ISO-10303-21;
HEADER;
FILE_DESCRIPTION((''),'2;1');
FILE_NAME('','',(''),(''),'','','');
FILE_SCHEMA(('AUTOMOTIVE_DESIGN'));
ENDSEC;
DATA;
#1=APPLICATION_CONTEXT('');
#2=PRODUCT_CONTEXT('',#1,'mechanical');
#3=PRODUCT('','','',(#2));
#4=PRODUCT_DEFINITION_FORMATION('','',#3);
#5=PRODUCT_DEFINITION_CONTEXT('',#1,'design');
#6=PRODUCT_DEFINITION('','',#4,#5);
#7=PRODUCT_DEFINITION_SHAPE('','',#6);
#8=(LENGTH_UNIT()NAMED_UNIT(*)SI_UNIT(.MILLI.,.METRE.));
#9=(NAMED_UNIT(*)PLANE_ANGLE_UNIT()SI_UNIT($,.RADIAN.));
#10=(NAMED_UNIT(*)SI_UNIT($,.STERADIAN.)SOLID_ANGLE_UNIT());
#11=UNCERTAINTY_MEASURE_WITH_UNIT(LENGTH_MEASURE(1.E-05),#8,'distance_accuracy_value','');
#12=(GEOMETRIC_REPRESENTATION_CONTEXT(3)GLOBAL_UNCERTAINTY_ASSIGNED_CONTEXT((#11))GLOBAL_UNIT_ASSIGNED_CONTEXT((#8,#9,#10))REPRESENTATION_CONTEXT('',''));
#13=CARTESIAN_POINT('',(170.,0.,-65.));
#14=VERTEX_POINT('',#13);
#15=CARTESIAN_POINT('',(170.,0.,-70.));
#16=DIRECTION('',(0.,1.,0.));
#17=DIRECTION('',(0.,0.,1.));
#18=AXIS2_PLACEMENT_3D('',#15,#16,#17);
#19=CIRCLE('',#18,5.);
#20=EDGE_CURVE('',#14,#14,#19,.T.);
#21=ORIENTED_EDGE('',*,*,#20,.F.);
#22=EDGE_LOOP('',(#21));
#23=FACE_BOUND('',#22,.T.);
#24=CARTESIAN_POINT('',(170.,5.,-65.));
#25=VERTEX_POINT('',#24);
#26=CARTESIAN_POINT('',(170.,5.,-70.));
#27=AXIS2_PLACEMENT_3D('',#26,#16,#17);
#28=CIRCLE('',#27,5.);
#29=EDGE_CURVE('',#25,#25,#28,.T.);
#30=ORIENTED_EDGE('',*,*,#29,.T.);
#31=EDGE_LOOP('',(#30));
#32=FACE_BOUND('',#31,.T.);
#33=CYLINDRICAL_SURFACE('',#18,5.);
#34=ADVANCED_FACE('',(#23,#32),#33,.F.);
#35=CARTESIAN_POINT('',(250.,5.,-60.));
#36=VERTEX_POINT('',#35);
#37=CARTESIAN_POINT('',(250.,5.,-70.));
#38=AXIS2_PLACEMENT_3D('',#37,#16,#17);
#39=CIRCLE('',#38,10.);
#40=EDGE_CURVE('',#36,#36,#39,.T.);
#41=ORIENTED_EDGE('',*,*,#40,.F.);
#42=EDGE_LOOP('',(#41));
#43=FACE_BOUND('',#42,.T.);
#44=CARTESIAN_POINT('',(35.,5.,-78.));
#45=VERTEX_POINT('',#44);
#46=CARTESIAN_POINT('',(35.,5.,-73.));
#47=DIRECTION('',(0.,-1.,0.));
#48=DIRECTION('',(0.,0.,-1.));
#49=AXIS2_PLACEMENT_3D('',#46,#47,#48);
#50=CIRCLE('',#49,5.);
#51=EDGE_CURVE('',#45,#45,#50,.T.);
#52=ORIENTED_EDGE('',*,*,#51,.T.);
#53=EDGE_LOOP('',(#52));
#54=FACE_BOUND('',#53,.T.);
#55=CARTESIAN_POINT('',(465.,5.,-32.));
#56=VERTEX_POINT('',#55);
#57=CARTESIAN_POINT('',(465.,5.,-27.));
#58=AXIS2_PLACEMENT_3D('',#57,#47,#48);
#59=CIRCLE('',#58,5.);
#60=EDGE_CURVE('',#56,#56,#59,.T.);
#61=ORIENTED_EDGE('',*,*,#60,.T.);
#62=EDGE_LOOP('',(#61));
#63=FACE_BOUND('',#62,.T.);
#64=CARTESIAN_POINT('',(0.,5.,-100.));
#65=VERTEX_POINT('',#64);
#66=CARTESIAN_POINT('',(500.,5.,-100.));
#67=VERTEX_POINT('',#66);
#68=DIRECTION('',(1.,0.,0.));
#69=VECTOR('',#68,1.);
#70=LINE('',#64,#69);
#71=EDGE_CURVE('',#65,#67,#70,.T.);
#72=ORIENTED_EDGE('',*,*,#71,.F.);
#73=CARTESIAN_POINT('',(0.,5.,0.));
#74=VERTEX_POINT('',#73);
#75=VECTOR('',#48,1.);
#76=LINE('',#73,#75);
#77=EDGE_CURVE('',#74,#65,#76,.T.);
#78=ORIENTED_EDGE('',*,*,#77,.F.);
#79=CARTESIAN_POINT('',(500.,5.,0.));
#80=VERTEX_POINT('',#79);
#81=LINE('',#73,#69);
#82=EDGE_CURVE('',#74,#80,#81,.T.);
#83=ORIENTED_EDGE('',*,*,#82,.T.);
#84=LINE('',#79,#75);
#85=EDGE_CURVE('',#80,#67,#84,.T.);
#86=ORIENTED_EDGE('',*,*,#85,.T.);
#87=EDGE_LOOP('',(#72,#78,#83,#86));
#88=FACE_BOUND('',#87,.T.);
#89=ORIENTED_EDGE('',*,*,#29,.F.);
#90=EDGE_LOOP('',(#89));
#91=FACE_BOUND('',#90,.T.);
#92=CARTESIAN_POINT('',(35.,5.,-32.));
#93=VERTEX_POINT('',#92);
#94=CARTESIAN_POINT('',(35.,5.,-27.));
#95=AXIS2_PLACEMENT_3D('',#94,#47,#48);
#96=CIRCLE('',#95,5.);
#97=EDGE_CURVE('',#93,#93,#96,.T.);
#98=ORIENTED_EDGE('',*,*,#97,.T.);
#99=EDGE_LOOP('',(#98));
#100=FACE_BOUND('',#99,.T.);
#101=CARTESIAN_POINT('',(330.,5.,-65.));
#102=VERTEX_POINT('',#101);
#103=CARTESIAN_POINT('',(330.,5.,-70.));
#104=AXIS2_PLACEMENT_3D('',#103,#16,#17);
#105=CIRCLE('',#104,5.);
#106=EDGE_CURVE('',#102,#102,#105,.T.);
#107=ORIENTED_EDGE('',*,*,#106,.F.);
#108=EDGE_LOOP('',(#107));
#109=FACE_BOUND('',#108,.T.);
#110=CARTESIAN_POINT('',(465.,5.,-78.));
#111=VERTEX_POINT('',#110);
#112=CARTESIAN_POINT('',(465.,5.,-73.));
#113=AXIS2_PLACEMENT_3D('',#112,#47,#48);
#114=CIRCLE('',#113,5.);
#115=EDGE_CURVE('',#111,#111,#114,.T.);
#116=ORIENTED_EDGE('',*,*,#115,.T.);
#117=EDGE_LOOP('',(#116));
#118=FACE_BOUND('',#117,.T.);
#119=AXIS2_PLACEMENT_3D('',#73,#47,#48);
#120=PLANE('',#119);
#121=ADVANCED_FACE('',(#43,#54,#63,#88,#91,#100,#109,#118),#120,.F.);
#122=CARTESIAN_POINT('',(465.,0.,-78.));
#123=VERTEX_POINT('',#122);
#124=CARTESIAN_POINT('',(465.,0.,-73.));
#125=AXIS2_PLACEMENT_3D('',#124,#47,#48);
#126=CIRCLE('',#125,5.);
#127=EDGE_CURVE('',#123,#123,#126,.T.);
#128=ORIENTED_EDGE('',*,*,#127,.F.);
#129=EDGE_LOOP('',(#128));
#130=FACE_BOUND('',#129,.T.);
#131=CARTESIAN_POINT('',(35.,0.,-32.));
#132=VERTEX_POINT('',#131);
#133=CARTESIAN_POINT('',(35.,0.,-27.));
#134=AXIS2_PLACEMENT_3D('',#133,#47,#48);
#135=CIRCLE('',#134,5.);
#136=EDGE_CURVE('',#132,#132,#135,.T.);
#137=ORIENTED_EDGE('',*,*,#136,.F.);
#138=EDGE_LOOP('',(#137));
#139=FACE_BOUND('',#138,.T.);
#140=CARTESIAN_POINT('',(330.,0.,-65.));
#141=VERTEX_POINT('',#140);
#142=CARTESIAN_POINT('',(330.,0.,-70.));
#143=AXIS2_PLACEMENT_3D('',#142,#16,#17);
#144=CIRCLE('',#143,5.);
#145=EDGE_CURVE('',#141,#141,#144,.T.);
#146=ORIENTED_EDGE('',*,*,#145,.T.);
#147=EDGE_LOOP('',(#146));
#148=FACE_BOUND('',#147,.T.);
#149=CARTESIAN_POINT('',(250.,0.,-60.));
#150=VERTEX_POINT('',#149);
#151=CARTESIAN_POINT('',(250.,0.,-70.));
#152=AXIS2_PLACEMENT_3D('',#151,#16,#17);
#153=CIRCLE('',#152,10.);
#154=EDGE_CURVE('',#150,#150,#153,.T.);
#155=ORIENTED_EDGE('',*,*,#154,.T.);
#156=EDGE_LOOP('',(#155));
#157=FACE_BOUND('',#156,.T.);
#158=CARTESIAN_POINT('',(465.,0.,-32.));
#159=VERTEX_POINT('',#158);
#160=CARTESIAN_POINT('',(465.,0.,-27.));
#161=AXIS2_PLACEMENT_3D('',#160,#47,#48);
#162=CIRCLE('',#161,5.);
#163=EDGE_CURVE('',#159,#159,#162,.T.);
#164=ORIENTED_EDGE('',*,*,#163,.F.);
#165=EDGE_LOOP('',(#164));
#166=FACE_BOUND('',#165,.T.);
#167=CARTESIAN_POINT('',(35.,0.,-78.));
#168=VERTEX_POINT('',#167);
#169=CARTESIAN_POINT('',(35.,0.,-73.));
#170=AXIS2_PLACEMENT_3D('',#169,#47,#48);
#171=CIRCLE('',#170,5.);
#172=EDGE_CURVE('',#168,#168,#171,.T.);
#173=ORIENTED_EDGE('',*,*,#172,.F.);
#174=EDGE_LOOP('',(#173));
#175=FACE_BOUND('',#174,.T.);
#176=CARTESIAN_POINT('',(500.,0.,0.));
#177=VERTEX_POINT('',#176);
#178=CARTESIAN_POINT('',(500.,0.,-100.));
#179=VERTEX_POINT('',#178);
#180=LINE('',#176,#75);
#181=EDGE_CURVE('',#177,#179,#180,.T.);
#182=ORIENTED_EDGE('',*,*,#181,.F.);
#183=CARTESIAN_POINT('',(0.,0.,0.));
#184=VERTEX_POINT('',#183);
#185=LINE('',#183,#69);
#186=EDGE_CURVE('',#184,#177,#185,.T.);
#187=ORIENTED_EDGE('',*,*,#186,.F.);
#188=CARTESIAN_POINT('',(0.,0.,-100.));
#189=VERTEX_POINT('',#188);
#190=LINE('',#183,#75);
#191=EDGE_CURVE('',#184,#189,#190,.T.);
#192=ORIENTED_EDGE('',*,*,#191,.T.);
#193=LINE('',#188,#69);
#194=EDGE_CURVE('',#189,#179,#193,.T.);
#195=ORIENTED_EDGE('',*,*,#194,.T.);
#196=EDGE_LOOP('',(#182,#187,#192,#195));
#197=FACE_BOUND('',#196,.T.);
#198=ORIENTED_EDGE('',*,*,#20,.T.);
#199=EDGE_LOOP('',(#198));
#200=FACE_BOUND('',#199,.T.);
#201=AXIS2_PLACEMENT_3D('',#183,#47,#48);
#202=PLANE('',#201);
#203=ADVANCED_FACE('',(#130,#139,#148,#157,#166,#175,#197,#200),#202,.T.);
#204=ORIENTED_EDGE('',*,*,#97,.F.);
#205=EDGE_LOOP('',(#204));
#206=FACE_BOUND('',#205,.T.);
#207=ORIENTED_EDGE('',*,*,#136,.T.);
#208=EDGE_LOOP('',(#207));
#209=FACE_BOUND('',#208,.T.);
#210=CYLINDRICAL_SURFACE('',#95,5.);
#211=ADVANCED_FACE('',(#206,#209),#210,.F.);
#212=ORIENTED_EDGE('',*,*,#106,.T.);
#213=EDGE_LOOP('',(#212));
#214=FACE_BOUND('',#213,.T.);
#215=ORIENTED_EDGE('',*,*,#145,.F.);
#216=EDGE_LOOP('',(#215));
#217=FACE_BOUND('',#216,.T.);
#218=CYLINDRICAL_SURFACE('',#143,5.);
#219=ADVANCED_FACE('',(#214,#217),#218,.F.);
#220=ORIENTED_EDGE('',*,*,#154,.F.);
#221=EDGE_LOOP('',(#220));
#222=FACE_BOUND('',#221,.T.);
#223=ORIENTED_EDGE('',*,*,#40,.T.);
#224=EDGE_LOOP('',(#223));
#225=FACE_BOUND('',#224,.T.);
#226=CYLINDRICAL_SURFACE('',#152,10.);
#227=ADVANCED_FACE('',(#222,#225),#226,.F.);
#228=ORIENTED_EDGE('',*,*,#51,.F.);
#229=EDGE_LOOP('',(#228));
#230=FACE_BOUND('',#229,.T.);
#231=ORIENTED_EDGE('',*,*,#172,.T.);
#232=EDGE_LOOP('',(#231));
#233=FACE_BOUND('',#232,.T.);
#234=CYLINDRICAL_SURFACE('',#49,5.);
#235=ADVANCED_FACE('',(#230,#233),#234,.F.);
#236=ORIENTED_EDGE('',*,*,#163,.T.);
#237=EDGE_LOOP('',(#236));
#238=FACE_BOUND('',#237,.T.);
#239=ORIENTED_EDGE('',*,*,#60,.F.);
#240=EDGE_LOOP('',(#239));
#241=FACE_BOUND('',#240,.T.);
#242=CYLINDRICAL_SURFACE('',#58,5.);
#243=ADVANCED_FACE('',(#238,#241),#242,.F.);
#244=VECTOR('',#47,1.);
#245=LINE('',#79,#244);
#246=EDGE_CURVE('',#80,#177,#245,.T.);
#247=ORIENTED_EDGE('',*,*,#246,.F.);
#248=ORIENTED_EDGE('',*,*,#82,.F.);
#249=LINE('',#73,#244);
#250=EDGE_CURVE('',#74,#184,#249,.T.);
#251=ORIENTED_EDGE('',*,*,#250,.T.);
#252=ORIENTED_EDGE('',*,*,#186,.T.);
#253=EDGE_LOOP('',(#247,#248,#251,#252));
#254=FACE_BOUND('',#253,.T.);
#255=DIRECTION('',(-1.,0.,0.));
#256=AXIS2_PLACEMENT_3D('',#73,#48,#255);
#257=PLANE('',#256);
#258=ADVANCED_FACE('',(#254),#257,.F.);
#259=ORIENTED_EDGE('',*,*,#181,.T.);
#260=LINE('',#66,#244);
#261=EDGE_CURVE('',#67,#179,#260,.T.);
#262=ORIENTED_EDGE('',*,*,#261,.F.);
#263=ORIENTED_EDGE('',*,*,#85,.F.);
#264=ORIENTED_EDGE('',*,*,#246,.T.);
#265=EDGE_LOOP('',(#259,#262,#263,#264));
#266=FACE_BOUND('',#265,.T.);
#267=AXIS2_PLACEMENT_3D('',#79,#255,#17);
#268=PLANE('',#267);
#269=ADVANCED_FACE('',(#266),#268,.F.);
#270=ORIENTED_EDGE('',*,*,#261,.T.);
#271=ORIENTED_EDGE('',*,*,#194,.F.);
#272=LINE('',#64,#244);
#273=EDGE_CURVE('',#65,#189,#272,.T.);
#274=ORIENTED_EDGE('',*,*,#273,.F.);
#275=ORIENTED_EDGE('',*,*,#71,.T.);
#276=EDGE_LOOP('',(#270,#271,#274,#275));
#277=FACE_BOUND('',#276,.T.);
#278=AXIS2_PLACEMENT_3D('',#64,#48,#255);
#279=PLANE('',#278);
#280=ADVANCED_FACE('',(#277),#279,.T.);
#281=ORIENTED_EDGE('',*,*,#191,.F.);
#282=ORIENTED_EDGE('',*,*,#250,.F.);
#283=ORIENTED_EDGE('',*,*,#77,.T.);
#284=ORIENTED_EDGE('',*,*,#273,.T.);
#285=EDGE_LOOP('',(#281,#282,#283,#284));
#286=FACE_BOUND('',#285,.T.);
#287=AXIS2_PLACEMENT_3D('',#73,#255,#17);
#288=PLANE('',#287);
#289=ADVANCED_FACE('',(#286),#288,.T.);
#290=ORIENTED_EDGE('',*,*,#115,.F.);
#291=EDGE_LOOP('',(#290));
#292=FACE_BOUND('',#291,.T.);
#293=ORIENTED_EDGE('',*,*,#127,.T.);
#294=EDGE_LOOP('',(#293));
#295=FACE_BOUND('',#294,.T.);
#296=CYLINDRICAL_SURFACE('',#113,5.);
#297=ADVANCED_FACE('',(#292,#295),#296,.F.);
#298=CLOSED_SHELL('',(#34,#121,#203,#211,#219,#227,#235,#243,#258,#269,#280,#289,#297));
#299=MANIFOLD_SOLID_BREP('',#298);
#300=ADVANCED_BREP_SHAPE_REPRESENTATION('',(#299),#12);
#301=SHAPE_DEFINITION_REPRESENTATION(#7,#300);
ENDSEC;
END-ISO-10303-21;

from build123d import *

# Parameters (mm, degrees)
SKETCH1_W           = 500
SKETCH1_H           = 100
BOSS_EXTRUDE1_DEPTH = 5
SKETCH3_R           = 10
CUT_EXTRUDE1_DEPTH  = 510.926465287
SKETCH4_R           = 5
CUT_EXTRUDE2_DEPTH  = 510.926465287
SKETCH5_R           = 5
CUT_EXTRUDE3_DEPTH  = 510.926465287
SKETCH7_R           = 5
CUT_EXTRUDE4_DEPTH  = 510.926465287


with BuildPart() as part:
    # Sketch1 → Boss-Extrude1 (new body)
    with BuildSketch(Plane(origin=(0, 0, 0), x_dir=(1, 0, 0), z_dir=(0, 1, 0))):
        with Locations((250, 50)):
            Rectangle(SKETCH1_W, SKETCH1_H)
    extrude(amount=BOSS_EXTRUDE1_DEPTH)

    # Sketch3 → Cut-Extrude1 (cut, through all)
    with BuildSketch(Plane(origin=(0, 5, 0), x_dir=(1, 0, 0), z_dir=(0, 1, 0))):
        with Locations(Location((250, 70, 0), (0, 0, 270))):
            Circle(SKETCH3_R)
    extrude(amount=-CUT_EXTRUDE1_DEPTH, mode=Mode.SUBTRACT)

    # Sketch4 → Cut-Extrude2 (cut, through all)
    with BuildSketch(Plane(origin=(0, 5, 0), x_dir=(1, 0, 0), z_dir=(0, 1, 0))):
        with Locations(Location((170, 70, 0), (0, 0, 270))):
            Circle(SKETCH4_R)
    extrude(amount=-CUT_EXTRUDE2_DEPTH, mode=Mode.SUBTRACT)

    # Sketch5 → Cut-Extrude3 (cut, through all)
    with BuildSketch(Plane(origin=(0, 5, 0), x_dir=(1, 0, 0), z_dir=(0, 1, 0))):
        with Locations(Location((330, 70, 0), (0, 0, 270))):
            Circle(SKETCH5_R)
    extrude(amount=-CUT_EXTRUDE3_DEPTH, mode=Mode.SUBTRACT)

    # Sketch7 → Cut-Extrude4 (cut, through all)
    with BuildSketch(Plane(origin=(0, 0, 0), x_dir=(-1, 0, 0), z_dir=(0, -1, 0))):
        with Locations(Location((-465, 73, 0), (0, 0, 90))):
            Circle(SKETCH7_R)
        with Locations(Location((-465, 27, 0), (0, 0, 90))):
            Circle(SKETCH7_R)
        with Locations(Location((-35, 27, 0), (0, 0, 90))):
            Circle(SKETCH7_R)
        with Locations(Location((-35, 73, 0), (0, 0, 90))):
            Circle(SKETCH7_R)
    extrude(amount=-CUT_EXTRUDE4_DEPTH, mode=Mode.SUBTRACT)


solid = part.part
